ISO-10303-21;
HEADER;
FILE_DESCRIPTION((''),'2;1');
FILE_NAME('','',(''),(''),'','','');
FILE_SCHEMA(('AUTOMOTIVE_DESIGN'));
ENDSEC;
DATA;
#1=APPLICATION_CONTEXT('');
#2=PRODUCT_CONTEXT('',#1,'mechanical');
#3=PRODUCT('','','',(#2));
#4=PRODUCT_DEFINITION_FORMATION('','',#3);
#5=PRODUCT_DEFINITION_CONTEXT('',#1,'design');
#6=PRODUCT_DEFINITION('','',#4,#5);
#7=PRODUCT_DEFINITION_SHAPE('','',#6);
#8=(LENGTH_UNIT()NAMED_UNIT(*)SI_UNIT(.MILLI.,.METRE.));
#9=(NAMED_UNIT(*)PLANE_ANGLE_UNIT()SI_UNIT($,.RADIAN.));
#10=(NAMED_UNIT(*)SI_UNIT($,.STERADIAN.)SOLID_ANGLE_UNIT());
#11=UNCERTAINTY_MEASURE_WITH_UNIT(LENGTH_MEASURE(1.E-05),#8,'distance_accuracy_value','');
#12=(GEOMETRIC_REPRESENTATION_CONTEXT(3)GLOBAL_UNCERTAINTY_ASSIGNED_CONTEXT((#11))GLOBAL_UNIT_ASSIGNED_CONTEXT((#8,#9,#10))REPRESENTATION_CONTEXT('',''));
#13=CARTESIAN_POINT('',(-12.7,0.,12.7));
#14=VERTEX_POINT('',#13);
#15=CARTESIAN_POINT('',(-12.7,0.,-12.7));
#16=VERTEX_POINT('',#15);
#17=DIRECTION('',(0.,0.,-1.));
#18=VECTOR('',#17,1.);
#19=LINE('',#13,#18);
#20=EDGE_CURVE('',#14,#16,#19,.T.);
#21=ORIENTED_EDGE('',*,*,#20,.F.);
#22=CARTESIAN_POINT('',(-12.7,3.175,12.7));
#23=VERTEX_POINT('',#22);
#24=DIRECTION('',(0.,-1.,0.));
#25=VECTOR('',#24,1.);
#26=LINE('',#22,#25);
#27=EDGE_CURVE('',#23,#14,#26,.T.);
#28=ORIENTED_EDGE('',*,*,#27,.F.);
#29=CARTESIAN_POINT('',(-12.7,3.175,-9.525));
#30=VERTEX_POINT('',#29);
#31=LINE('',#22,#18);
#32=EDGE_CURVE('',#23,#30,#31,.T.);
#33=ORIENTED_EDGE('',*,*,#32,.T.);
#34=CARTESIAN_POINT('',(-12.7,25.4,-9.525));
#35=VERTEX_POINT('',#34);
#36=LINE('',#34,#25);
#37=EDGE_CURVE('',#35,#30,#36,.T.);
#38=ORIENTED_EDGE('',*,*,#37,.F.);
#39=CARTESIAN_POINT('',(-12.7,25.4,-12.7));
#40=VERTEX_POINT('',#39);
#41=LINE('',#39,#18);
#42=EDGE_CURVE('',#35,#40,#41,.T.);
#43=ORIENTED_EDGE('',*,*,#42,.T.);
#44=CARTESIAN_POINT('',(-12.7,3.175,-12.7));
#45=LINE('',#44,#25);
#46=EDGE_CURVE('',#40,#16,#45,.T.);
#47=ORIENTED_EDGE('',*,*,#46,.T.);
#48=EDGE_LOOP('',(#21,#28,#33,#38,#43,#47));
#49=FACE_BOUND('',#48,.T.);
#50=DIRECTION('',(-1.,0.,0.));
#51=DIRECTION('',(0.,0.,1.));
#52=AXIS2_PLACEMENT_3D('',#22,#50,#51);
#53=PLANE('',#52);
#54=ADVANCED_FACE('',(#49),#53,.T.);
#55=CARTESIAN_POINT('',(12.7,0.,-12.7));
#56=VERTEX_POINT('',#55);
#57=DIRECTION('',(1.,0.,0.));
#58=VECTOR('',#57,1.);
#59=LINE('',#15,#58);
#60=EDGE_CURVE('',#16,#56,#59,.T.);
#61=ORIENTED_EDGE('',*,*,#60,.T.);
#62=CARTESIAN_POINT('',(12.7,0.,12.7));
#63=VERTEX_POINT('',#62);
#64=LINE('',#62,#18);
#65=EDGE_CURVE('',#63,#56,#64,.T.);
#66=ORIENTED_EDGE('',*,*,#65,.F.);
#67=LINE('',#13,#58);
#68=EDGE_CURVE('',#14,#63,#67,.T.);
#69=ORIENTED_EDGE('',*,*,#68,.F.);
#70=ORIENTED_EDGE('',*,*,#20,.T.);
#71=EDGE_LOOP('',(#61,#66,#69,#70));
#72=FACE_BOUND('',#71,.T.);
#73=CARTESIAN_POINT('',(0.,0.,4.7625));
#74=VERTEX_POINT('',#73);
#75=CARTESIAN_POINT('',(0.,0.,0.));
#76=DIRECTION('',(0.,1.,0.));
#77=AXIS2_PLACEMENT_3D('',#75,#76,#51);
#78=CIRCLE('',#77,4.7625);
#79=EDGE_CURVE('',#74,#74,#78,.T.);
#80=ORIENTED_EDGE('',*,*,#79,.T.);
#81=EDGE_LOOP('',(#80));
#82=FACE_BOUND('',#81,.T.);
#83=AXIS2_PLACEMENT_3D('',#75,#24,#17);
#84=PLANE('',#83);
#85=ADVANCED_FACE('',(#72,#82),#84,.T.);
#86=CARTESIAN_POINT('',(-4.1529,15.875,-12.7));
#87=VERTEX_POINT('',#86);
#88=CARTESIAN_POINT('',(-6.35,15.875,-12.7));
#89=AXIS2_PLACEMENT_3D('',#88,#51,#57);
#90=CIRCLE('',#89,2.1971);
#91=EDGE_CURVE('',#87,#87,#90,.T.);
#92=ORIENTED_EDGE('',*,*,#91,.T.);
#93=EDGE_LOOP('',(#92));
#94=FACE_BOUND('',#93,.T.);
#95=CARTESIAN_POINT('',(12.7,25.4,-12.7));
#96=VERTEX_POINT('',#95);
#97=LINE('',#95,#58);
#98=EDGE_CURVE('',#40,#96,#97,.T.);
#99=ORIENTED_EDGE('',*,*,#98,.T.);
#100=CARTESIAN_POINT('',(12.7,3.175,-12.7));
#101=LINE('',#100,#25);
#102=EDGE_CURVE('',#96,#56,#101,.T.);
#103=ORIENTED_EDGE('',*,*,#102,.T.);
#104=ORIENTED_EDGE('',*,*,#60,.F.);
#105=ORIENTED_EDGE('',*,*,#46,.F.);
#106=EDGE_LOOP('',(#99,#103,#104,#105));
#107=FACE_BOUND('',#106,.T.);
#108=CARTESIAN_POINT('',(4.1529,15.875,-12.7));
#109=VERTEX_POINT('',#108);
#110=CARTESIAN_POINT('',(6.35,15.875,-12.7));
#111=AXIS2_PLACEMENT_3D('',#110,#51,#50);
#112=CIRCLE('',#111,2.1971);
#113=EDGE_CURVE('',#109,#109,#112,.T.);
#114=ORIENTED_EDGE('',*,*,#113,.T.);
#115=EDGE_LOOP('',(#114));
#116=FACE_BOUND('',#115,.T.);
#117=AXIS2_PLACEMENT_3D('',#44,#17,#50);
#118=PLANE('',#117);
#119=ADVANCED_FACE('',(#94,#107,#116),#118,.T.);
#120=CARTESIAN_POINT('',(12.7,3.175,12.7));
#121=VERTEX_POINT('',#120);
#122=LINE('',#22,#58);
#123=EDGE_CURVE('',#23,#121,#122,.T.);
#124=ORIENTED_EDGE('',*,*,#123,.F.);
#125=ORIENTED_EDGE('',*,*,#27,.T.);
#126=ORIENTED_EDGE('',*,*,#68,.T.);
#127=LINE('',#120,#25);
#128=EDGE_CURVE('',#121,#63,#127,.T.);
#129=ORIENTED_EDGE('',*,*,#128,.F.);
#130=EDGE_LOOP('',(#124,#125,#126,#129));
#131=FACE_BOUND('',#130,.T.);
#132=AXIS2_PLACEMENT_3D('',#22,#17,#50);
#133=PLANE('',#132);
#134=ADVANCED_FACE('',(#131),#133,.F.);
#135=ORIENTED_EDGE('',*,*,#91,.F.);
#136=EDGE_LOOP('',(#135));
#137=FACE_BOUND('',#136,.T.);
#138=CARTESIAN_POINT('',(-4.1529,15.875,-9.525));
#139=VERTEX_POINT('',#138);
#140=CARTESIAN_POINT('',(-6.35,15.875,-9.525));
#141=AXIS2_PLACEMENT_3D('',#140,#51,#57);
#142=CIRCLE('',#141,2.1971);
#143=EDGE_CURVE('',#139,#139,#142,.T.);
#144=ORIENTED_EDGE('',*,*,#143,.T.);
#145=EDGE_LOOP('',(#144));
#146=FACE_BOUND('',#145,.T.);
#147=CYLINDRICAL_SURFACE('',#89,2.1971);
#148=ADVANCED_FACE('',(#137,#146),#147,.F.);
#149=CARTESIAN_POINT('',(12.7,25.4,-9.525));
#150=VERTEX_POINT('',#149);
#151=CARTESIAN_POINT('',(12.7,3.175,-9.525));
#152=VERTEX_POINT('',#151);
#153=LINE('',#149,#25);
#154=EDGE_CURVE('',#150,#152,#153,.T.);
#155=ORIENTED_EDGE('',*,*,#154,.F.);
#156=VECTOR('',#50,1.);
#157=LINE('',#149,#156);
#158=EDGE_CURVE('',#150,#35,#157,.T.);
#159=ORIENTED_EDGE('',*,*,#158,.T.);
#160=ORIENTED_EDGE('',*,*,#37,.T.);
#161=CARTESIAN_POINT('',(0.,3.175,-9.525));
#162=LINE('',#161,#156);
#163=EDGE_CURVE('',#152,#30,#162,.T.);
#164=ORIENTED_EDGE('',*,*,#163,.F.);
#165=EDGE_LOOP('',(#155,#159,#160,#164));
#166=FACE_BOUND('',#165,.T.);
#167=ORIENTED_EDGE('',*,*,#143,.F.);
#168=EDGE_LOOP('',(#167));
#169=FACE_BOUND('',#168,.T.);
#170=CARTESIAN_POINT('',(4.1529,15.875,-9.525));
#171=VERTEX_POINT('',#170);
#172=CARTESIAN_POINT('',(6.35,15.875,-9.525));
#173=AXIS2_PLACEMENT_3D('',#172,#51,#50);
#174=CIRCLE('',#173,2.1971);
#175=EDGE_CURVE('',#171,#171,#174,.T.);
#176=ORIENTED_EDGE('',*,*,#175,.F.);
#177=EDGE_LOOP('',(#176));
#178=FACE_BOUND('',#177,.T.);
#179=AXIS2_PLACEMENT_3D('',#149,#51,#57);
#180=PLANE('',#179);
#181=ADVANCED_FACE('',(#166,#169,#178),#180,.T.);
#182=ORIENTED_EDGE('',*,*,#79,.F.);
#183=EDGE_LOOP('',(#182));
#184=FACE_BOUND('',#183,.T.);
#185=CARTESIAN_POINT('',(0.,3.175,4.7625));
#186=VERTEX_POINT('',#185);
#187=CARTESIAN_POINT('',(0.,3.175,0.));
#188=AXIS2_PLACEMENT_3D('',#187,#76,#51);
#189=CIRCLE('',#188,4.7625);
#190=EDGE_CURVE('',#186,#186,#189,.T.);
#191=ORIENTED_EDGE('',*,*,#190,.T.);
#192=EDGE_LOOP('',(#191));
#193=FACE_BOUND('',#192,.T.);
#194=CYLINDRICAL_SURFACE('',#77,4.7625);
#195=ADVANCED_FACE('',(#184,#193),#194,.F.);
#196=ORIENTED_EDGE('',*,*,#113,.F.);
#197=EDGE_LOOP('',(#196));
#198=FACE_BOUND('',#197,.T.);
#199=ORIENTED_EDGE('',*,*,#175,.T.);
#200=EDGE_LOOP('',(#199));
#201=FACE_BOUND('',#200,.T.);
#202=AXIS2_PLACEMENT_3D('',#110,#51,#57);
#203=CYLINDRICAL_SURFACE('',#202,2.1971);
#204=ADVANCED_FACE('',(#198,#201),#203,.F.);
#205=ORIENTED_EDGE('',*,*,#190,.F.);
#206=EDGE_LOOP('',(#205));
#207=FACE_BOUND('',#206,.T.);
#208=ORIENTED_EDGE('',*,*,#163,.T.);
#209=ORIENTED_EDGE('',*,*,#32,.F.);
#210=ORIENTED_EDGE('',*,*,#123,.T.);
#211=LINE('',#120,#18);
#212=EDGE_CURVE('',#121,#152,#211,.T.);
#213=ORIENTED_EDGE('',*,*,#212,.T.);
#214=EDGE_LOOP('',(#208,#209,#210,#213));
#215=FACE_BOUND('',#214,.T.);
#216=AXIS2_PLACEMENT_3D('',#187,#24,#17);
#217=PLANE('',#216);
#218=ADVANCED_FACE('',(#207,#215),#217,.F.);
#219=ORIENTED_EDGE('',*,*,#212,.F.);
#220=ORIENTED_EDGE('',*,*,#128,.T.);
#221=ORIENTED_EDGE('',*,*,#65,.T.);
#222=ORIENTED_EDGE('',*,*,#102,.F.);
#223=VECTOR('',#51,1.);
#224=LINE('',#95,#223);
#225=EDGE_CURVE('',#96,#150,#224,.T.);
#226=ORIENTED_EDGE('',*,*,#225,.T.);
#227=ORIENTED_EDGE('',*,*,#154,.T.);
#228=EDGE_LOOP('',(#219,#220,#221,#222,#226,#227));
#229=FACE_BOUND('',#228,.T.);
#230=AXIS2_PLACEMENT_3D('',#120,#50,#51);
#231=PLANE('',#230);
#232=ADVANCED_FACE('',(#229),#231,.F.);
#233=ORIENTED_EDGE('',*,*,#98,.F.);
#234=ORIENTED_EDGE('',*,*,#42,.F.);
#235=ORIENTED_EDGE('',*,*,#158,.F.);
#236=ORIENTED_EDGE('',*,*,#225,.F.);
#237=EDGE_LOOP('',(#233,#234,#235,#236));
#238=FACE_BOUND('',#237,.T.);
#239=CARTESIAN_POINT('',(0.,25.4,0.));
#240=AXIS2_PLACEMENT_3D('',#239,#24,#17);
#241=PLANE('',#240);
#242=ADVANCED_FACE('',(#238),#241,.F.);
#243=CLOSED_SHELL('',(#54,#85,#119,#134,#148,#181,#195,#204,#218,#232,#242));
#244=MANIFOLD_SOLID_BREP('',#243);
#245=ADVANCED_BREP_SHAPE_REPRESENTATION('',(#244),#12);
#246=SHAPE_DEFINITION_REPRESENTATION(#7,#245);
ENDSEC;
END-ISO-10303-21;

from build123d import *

# Parameters (mm, degrees)
SKETCH1_W           = 25.4
SKETCH1_H           = 25.4
BOSS_EXTRUDE1_DEPTH = 3.175
SKETCH2_W           = 25.4
SKETCH2_H           = 3.175
BOSS_EXTRUDE2_DEPTH = 25.4
SKETCH3_R           = 4.7625
CUT_EXTRUDE1_DEPTH  = 4.175
SKETCH4_R           = 2.1971
CUT_EXTRUDE2_DEPTH  = 4.175


with BuildPart() as part:
    # Sketch1 → Boss-Extrude1 (new body)
    with BuildSketch(Plane(origin=(0, 0, 0), x_dir=(1, 0, 0), z_dir=(0, 1, 0))):
        Rectangle(SKETCH1_W, SKETCH1_H)
    extrude(amount=BOSS_EXTRUDE1_DEPTH)

    # Sketch2 → Boss-Extrude2 (add)
    with BuildSketch(Plane.XZ):
        with Locations((0, -11.1125)):
            Rectangle(SKETCH2_W, SKETCH2_H)
    extrude(amount=-BOSS_EXTRUDE2_DEPTH)

    # Sketch3 → Cut-Extrude1 (cut, through all)
    with BuildSketch(Plane(origin=(0, 3.175, 0), x_dir=(1, 0, 0), z_dir=(0, 1, 0))):
        Circle(SKETCH3_R)
    extrude(amount=-CUT_EXTRUDE1_DEPTH, mode=Mode.SUBTRACT)

    # Sketch4 → Cut-Extrude2 (cut, through all)
    with BuildSketch(Plane.XY.offset(-9.525)):
        with Locations((-6.35, 15.875)):
            Circle(SKETCH4_R)
        with Locations((6.35, 15.875)):
            Circle(SKETCH4_R)
    extrude(amount=-CUT_EXTRUDE2_DEPTH, mode=Mode.SUBTRACT)


solid = part.part
